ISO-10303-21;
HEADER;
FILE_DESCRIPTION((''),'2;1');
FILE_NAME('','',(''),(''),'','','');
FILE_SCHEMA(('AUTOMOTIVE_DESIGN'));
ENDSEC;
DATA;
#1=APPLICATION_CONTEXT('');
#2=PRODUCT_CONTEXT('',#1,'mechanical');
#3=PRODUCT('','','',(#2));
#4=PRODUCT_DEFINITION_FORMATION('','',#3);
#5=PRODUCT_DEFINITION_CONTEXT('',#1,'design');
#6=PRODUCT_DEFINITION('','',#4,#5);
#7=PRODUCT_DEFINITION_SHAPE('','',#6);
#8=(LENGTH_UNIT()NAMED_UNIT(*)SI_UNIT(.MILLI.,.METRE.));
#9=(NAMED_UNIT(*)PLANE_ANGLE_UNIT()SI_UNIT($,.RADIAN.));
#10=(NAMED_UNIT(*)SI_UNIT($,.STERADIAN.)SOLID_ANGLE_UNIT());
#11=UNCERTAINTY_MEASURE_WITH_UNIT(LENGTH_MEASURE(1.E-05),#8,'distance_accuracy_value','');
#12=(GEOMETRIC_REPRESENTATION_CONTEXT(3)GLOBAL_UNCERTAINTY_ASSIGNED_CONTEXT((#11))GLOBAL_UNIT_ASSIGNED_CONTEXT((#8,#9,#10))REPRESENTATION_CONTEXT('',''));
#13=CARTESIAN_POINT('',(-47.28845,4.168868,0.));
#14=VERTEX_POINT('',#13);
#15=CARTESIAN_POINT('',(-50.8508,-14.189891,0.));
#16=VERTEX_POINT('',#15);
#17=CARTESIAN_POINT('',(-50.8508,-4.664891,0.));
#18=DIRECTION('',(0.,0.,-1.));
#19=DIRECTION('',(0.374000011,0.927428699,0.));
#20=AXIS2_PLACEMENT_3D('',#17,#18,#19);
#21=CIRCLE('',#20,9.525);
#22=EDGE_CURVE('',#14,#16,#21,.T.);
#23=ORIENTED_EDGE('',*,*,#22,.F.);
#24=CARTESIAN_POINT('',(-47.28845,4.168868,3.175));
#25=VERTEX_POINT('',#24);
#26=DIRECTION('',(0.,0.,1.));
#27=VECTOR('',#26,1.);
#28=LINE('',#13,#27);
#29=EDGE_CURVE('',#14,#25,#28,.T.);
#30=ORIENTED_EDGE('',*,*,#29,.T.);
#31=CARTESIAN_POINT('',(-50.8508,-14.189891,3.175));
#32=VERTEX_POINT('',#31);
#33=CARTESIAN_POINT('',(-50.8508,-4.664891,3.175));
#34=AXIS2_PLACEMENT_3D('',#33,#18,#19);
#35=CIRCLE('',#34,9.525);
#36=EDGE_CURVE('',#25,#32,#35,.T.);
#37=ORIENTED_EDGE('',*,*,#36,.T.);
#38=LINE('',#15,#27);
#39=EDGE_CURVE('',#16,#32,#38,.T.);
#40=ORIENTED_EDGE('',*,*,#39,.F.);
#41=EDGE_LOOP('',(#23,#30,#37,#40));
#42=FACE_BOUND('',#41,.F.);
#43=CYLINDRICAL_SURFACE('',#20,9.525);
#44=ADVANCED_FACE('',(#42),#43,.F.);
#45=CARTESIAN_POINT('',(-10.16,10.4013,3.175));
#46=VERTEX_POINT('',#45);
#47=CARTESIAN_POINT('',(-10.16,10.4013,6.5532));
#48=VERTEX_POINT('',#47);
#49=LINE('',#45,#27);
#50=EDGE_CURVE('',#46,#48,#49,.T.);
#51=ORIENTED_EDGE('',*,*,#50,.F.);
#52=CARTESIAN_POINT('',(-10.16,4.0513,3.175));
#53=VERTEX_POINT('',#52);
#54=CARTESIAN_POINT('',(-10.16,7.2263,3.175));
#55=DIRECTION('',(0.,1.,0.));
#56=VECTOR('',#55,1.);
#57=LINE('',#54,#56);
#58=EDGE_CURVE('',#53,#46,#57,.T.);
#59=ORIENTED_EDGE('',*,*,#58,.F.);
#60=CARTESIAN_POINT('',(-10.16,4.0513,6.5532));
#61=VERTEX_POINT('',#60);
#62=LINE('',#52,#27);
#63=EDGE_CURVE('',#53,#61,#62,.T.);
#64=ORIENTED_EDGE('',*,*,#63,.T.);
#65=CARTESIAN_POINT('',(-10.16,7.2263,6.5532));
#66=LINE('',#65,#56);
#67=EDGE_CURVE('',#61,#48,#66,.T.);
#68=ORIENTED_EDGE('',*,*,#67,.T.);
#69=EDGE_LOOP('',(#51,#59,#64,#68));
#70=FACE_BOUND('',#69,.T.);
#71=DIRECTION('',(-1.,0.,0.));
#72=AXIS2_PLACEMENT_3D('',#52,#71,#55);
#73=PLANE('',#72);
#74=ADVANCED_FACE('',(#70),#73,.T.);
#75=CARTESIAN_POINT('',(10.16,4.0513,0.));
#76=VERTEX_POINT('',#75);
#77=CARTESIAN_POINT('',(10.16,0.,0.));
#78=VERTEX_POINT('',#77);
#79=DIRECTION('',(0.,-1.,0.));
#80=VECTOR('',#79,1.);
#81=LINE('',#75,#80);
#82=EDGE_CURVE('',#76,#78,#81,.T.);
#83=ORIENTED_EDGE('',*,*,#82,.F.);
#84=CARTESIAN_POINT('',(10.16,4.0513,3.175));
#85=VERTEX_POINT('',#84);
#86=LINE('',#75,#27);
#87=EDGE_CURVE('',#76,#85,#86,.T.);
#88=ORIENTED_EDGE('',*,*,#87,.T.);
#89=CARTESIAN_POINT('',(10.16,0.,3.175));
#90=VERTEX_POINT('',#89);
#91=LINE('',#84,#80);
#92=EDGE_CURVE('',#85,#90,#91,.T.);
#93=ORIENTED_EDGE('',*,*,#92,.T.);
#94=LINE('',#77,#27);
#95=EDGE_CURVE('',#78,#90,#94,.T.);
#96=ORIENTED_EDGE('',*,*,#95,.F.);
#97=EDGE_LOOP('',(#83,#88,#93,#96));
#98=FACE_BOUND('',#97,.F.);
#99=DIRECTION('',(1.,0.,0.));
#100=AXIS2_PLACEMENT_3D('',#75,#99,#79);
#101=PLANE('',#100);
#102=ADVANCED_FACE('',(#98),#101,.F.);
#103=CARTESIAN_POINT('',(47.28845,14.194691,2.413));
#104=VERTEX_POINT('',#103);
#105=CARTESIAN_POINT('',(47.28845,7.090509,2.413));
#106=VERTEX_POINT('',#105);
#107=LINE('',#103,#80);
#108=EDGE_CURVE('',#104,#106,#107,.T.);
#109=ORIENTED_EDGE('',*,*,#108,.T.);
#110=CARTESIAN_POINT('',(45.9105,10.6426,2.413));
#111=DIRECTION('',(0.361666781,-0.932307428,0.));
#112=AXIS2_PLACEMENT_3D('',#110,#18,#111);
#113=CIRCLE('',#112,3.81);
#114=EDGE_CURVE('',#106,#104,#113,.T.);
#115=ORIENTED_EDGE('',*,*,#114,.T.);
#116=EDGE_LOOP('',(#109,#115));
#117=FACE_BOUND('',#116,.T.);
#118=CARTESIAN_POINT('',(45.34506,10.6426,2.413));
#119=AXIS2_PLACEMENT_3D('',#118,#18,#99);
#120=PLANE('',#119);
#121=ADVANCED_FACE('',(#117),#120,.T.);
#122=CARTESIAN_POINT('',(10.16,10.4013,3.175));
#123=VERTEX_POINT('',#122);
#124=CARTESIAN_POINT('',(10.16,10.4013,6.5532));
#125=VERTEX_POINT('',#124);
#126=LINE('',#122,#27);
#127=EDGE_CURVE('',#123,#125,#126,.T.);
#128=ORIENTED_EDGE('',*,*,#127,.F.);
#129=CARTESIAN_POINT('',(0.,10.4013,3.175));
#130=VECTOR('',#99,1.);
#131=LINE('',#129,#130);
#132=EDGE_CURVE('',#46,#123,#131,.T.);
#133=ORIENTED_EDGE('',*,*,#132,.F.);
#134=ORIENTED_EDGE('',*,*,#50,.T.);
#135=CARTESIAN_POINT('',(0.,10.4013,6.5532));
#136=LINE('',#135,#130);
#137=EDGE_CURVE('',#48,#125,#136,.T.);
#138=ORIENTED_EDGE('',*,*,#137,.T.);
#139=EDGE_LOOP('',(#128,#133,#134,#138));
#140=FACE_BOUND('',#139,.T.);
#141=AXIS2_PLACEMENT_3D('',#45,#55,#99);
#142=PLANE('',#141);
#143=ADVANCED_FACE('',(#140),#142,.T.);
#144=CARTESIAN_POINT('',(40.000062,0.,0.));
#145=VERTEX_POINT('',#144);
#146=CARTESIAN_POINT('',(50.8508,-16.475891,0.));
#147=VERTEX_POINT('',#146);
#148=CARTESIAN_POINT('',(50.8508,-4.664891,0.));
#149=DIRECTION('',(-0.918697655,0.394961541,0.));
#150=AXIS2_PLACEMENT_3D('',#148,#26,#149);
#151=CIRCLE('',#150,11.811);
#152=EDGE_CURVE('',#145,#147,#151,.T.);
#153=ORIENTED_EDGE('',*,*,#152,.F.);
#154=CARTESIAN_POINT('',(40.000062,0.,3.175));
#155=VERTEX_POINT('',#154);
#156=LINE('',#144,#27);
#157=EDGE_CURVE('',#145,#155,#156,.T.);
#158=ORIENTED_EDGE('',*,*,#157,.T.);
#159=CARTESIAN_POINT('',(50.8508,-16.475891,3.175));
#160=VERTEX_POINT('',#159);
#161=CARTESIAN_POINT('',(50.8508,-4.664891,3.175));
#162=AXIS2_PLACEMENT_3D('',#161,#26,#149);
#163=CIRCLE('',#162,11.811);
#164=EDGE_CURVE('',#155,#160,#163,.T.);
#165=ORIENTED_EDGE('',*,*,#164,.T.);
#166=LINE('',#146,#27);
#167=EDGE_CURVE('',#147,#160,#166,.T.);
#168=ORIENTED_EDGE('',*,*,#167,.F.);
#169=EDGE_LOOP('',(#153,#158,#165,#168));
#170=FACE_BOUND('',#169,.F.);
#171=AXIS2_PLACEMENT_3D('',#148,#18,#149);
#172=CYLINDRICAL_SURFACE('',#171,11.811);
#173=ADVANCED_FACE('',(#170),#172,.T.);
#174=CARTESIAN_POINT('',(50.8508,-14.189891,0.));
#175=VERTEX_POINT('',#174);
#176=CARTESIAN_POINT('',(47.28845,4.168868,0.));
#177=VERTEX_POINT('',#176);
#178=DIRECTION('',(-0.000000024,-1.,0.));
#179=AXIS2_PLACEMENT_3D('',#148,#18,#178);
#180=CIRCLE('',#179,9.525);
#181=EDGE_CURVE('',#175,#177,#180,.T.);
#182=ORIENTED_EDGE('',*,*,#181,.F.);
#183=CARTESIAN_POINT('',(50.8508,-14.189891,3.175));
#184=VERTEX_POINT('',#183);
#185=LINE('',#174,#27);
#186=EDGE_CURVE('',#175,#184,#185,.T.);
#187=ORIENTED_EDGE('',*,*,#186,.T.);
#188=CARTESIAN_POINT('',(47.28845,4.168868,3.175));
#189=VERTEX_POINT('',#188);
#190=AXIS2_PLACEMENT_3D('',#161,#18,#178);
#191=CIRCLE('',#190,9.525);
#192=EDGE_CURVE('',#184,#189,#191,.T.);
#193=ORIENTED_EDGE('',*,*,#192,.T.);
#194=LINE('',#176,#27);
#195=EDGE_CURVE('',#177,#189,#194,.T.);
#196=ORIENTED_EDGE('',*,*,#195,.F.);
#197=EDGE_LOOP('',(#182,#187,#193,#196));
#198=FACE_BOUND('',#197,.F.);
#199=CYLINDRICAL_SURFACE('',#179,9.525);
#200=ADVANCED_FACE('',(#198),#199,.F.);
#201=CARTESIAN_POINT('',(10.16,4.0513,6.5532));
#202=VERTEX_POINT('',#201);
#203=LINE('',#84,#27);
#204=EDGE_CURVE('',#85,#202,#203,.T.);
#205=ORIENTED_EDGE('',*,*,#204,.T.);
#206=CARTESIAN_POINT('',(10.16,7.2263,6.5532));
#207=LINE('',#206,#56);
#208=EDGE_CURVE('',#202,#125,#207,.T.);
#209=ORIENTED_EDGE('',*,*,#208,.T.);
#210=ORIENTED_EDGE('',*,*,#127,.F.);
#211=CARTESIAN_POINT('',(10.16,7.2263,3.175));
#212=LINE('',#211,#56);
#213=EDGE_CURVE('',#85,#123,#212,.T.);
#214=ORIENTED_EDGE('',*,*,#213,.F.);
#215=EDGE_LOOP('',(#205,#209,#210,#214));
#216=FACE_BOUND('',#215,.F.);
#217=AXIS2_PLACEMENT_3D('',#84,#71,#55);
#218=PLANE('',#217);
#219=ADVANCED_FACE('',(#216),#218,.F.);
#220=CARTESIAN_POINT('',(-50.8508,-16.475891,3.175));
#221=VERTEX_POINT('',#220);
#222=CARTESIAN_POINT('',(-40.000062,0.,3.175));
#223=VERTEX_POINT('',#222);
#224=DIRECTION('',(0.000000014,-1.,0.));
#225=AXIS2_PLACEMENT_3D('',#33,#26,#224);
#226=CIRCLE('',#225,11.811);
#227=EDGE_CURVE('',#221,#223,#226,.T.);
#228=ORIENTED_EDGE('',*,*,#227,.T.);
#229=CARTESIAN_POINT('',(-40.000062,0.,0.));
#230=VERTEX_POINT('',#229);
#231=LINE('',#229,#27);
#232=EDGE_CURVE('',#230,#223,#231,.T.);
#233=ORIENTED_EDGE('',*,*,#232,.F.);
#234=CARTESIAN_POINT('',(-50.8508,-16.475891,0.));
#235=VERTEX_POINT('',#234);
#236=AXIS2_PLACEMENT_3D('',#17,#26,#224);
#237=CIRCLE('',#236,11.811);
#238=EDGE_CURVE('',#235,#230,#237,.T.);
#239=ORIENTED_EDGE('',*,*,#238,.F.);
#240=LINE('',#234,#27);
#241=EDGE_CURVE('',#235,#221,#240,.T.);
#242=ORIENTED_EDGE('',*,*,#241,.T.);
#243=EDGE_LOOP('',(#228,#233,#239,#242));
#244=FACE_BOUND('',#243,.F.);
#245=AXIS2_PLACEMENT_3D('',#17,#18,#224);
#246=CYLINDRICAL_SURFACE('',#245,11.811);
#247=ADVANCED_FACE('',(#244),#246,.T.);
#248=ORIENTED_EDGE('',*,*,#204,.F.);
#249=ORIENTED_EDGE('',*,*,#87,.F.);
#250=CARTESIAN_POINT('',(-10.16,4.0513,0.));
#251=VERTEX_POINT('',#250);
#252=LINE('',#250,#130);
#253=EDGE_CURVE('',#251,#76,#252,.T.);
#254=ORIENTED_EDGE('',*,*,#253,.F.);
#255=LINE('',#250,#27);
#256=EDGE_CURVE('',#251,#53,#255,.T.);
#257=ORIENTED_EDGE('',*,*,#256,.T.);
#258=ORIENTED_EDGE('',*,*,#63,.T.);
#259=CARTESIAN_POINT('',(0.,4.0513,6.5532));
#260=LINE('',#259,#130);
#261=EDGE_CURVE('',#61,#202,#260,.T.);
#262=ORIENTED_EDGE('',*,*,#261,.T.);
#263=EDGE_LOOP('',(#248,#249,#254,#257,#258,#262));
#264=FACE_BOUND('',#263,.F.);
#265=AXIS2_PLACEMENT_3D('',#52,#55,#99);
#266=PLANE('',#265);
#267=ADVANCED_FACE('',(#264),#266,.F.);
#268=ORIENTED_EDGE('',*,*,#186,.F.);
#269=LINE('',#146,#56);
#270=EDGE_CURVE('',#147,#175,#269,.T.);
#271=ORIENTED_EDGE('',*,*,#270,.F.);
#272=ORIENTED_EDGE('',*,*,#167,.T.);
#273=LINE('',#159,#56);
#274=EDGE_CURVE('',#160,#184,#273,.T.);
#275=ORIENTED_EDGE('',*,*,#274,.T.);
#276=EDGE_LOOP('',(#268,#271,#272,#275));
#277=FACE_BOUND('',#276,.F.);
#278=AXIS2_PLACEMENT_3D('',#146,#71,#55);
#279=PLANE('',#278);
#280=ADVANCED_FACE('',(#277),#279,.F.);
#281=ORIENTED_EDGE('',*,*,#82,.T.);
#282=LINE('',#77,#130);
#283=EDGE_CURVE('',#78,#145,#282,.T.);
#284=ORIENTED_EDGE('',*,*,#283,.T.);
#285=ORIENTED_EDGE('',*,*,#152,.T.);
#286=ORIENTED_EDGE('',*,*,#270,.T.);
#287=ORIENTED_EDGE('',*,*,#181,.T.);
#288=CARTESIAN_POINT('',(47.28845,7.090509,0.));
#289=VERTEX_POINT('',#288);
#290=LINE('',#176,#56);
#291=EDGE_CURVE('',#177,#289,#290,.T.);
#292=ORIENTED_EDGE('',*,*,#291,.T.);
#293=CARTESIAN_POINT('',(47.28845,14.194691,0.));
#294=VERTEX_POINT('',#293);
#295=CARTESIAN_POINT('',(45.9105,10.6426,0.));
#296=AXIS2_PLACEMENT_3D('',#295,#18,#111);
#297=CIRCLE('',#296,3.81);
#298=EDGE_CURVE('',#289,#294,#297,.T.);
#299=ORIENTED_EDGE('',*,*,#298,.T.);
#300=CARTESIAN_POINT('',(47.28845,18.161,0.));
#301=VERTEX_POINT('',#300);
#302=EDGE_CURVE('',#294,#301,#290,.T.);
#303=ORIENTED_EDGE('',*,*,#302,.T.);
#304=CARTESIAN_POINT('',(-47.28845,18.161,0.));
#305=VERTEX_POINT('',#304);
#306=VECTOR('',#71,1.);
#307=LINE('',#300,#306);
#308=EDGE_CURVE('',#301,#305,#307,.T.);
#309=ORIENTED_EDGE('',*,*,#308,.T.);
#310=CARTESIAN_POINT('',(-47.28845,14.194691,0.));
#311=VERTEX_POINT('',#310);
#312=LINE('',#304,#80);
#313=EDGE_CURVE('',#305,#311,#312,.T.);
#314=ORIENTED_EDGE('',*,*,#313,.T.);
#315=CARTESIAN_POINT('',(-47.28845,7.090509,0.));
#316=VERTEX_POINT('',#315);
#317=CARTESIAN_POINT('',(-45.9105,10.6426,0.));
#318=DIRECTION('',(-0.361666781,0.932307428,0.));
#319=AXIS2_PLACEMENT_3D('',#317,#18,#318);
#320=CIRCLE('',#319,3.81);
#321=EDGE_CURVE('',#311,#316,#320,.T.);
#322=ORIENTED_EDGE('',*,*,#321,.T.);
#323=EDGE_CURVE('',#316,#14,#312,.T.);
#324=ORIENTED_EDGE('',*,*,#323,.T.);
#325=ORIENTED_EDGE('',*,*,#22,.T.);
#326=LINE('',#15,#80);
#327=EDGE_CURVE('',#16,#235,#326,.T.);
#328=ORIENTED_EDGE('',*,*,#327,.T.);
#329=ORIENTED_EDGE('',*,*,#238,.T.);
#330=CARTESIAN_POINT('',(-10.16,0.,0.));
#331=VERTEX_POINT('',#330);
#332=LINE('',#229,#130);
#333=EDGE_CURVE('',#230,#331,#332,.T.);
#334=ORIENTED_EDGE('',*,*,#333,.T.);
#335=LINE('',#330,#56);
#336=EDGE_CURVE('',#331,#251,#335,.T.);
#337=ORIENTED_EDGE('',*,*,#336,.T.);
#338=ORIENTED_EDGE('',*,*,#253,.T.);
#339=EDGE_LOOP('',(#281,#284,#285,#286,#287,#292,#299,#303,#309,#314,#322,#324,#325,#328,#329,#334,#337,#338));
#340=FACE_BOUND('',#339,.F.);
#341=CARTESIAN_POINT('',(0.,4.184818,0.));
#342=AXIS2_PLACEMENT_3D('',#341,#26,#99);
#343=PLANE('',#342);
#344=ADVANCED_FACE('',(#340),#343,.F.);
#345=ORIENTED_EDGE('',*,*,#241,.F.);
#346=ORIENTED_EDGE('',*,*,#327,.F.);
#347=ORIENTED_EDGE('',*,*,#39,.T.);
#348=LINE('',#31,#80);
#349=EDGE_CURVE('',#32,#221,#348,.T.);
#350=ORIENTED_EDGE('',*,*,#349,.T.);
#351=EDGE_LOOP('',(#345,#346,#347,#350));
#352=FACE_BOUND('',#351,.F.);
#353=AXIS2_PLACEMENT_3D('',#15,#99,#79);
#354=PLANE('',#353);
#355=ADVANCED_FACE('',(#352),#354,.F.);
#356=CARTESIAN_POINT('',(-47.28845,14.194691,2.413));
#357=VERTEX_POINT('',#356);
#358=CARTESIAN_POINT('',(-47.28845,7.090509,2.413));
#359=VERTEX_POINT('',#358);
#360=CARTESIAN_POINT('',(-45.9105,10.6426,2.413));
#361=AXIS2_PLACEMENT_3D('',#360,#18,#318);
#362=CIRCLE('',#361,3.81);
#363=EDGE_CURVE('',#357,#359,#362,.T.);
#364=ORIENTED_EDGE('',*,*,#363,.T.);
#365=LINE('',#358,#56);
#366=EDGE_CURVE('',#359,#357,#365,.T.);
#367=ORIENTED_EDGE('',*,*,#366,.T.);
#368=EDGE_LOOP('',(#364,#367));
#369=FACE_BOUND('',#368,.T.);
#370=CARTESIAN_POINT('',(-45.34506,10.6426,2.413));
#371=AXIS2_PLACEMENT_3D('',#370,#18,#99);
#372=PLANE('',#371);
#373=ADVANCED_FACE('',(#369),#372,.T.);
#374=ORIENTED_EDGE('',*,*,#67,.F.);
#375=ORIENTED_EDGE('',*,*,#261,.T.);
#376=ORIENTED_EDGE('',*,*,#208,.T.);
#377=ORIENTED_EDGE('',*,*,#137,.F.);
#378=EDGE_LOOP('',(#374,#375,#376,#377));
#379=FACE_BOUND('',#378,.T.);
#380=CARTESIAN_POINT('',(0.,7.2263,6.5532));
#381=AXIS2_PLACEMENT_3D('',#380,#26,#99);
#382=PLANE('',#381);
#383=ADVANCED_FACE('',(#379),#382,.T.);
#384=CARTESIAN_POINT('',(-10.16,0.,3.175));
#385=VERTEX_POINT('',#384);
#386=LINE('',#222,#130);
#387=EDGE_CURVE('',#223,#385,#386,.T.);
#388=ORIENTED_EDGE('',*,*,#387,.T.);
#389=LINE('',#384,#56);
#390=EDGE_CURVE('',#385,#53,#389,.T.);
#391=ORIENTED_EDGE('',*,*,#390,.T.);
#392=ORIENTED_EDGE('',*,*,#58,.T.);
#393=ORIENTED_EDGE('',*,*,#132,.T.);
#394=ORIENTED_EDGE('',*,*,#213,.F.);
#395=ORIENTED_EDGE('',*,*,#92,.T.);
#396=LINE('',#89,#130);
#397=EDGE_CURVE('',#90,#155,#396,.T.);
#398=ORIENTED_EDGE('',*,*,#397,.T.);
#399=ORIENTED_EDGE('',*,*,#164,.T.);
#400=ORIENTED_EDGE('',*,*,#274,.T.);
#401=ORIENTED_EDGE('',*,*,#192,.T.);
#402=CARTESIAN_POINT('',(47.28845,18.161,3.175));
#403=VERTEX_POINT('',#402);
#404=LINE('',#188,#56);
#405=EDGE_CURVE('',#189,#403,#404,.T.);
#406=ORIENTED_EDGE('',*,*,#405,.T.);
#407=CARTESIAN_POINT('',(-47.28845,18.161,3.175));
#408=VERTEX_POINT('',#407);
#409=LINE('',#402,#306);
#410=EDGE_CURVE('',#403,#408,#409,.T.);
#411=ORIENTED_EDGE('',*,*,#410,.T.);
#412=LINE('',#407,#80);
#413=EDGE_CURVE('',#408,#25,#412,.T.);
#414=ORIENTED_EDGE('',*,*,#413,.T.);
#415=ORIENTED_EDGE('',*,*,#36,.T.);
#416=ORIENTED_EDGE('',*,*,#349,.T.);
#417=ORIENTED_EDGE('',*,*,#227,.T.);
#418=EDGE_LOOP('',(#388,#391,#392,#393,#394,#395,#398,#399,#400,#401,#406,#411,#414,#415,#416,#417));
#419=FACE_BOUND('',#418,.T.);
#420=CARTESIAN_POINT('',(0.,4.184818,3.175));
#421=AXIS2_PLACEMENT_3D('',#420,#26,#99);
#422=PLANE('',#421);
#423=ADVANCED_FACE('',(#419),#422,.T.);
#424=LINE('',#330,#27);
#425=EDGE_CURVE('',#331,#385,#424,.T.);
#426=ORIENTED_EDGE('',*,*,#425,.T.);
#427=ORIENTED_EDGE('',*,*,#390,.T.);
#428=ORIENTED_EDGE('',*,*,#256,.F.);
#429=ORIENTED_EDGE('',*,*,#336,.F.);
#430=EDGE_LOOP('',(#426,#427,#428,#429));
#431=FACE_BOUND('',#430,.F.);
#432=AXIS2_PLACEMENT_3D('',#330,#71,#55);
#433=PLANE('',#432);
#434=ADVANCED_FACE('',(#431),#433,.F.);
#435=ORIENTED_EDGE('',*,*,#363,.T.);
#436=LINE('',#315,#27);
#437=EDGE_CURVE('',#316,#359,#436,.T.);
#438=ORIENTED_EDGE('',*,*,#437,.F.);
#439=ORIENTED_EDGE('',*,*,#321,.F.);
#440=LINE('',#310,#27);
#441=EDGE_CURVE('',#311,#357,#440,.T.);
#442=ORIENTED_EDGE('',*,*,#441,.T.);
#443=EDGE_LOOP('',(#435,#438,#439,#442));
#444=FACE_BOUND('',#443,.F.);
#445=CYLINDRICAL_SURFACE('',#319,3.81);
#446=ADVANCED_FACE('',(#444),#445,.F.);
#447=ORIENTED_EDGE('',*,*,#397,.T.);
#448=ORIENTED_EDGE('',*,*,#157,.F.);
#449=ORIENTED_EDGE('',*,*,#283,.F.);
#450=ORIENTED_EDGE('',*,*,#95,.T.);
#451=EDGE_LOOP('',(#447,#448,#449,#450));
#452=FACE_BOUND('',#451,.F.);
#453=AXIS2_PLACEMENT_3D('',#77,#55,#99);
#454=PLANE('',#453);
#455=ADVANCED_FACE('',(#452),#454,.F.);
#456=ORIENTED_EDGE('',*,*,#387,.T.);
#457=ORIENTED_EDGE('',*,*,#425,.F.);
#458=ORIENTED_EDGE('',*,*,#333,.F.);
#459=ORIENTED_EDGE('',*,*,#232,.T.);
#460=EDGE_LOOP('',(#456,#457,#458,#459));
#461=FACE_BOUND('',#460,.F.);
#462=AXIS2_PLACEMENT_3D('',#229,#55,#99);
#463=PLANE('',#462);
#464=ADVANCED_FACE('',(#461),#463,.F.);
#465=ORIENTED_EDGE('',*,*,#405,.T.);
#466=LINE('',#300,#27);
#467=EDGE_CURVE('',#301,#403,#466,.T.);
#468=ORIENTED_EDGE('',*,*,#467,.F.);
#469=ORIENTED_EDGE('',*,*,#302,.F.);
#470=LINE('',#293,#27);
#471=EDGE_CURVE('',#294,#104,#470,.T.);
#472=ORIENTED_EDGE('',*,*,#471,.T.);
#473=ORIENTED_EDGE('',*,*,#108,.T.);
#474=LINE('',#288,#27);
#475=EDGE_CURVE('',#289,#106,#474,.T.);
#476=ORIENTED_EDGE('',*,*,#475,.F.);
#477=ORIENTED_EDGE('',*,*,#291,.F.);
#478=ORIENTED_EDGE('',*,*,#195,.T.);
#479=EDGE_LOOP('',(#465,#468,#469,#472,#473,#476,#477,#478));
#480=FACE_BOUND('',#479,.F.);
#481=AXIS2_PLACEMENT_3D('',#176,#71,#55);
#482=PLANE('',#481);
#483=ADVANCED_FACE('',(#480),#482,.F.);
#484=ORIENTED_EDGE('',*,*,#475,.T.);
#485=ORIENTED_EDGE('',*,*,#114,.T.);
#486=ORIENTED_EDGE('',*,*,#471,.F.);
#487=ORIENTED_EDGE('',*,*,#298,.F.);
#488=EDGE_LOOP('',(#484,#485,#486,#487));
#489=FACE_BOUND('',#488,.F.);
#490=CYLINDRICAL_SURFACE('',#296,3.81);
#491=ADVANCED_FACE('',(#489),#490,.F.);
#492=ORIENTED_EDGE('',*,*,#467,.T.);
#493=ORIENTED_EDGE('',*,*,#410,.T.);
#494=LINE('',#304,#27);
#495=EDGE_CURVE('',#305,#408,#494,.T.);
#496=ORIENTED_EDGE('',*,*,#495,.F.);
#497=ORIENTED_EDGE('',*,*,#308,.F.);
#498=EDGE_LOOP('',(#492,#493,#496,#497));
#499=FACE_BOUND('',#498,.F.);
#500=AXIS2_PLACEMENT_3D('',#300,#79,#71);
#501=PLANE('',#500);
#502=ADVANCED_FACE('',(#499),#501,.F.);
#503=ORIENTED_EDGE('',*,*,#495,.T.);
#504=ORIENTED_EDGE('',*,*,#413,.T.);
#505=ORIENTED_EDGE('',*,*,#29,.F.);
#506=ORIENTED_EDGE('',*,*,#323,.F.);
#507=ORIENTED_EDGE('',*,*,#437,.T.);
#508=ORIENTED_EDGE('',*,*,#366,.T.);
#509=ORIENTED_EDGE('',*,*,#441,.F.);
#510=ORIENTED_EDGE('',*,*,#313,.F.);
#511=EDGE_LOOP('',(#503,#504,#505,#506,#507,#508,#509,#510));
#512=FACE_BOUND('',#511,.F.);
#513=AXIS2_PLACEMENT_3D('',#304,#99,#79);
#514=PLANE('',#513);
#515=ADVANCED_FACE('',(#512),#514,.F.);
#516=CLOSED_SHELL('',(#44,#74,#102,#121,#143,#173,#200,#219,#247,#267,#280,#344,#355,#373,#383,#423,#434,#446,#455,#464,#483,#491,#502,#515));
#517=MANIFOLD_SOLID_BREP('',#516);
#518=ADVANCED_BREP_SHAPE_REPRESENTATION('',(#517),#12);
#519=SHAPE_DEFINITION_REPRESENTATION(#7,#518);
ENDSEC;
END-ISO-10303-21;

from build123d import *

# Parameters (mm, degrees)
F1_DEPTH = 3.175
F3_DEPTH = 2.413
F4_W     = 20.32
F4_H     = 6.35
F5_DEPTH = 3.3782


with BuildPart() as f1:
    # F0 (on Top) → F1 (new body)
    with BuildSketch(Plane.XY):
        with BuildLine():
            Line((47.28845, 18.161), (-47.28845, 18.161))
            Line((-47.28845, 18.161), (-47.28845, 4.168868))
            ThreePointArc((-47.28845, 4.168868), (-41.500207, -6.479288), (-50.8508, -14.189891))
            Line((-50.8508, -14.189891), (-50.8508, -16.475891))
            ThreePointArc((-50.8508, -16.475891), (-40.986806, -11.161147), (-40.000062, 0))
            Line((-40.000062, 0), (-10.16, 0))
            Line((-10.16, 0), (-10.16, 4.0513))
            Line((-10.16, 4.0513), (10.16, 4.0513))
            Line((10.16, 4.0513), (10.16, 0))
            Line((10.16, 0), (40.000062, 0))
            ThreePointArc((40.000062, 0), (40.986806, -11.161147), (50.8508, -16.475891))
            Line((50.8508, -16.475891), (50.8508, -14.189891))
            ThreePointArc((50.8508, -14.189891), (41.500207, -6.479288), (47.28845, 4.168868))
            Line((47.28845, 4.168868), (47.28845, 18.161))
        make_face()
    extrude(amount=F1_DEPTH)

    # F2 (on face) → F3 (cut)
    with BuildSketch(Plane(origin=(0, 0, 0), x_dir=(1, 0, 0), z_dir=(0, 0, -1))):
        with BuildLine():
            Line((-47.28845, -7.090509), (-47.28845, -14.194691))
            ThreePointArc((-47.28845, -14.194691), (-42.1005, -10.6426), (-47.28845, -7.090509))
        make_face()
        with BuildLine():
            ThreePointArc((47.28845, -7.090509), (42.1005, -10.6426), (47.28845, -14.194691))
            Line((47.28845, -14.194691), (47.28845, -7.090509))
        make_face()
    extrude(amount=-F3_DEPTH, mode=Mode.SUBTRACT)

    # F4 (on face) → F5 (join)
    with BuildSketch(Plane.XY.offset(3.175)):
        with Locations((0, 7.2263)):
            Rectangle(F4_W, F4_H)
    extrude(amount=F5_DEPTH)


solid = f1.part
